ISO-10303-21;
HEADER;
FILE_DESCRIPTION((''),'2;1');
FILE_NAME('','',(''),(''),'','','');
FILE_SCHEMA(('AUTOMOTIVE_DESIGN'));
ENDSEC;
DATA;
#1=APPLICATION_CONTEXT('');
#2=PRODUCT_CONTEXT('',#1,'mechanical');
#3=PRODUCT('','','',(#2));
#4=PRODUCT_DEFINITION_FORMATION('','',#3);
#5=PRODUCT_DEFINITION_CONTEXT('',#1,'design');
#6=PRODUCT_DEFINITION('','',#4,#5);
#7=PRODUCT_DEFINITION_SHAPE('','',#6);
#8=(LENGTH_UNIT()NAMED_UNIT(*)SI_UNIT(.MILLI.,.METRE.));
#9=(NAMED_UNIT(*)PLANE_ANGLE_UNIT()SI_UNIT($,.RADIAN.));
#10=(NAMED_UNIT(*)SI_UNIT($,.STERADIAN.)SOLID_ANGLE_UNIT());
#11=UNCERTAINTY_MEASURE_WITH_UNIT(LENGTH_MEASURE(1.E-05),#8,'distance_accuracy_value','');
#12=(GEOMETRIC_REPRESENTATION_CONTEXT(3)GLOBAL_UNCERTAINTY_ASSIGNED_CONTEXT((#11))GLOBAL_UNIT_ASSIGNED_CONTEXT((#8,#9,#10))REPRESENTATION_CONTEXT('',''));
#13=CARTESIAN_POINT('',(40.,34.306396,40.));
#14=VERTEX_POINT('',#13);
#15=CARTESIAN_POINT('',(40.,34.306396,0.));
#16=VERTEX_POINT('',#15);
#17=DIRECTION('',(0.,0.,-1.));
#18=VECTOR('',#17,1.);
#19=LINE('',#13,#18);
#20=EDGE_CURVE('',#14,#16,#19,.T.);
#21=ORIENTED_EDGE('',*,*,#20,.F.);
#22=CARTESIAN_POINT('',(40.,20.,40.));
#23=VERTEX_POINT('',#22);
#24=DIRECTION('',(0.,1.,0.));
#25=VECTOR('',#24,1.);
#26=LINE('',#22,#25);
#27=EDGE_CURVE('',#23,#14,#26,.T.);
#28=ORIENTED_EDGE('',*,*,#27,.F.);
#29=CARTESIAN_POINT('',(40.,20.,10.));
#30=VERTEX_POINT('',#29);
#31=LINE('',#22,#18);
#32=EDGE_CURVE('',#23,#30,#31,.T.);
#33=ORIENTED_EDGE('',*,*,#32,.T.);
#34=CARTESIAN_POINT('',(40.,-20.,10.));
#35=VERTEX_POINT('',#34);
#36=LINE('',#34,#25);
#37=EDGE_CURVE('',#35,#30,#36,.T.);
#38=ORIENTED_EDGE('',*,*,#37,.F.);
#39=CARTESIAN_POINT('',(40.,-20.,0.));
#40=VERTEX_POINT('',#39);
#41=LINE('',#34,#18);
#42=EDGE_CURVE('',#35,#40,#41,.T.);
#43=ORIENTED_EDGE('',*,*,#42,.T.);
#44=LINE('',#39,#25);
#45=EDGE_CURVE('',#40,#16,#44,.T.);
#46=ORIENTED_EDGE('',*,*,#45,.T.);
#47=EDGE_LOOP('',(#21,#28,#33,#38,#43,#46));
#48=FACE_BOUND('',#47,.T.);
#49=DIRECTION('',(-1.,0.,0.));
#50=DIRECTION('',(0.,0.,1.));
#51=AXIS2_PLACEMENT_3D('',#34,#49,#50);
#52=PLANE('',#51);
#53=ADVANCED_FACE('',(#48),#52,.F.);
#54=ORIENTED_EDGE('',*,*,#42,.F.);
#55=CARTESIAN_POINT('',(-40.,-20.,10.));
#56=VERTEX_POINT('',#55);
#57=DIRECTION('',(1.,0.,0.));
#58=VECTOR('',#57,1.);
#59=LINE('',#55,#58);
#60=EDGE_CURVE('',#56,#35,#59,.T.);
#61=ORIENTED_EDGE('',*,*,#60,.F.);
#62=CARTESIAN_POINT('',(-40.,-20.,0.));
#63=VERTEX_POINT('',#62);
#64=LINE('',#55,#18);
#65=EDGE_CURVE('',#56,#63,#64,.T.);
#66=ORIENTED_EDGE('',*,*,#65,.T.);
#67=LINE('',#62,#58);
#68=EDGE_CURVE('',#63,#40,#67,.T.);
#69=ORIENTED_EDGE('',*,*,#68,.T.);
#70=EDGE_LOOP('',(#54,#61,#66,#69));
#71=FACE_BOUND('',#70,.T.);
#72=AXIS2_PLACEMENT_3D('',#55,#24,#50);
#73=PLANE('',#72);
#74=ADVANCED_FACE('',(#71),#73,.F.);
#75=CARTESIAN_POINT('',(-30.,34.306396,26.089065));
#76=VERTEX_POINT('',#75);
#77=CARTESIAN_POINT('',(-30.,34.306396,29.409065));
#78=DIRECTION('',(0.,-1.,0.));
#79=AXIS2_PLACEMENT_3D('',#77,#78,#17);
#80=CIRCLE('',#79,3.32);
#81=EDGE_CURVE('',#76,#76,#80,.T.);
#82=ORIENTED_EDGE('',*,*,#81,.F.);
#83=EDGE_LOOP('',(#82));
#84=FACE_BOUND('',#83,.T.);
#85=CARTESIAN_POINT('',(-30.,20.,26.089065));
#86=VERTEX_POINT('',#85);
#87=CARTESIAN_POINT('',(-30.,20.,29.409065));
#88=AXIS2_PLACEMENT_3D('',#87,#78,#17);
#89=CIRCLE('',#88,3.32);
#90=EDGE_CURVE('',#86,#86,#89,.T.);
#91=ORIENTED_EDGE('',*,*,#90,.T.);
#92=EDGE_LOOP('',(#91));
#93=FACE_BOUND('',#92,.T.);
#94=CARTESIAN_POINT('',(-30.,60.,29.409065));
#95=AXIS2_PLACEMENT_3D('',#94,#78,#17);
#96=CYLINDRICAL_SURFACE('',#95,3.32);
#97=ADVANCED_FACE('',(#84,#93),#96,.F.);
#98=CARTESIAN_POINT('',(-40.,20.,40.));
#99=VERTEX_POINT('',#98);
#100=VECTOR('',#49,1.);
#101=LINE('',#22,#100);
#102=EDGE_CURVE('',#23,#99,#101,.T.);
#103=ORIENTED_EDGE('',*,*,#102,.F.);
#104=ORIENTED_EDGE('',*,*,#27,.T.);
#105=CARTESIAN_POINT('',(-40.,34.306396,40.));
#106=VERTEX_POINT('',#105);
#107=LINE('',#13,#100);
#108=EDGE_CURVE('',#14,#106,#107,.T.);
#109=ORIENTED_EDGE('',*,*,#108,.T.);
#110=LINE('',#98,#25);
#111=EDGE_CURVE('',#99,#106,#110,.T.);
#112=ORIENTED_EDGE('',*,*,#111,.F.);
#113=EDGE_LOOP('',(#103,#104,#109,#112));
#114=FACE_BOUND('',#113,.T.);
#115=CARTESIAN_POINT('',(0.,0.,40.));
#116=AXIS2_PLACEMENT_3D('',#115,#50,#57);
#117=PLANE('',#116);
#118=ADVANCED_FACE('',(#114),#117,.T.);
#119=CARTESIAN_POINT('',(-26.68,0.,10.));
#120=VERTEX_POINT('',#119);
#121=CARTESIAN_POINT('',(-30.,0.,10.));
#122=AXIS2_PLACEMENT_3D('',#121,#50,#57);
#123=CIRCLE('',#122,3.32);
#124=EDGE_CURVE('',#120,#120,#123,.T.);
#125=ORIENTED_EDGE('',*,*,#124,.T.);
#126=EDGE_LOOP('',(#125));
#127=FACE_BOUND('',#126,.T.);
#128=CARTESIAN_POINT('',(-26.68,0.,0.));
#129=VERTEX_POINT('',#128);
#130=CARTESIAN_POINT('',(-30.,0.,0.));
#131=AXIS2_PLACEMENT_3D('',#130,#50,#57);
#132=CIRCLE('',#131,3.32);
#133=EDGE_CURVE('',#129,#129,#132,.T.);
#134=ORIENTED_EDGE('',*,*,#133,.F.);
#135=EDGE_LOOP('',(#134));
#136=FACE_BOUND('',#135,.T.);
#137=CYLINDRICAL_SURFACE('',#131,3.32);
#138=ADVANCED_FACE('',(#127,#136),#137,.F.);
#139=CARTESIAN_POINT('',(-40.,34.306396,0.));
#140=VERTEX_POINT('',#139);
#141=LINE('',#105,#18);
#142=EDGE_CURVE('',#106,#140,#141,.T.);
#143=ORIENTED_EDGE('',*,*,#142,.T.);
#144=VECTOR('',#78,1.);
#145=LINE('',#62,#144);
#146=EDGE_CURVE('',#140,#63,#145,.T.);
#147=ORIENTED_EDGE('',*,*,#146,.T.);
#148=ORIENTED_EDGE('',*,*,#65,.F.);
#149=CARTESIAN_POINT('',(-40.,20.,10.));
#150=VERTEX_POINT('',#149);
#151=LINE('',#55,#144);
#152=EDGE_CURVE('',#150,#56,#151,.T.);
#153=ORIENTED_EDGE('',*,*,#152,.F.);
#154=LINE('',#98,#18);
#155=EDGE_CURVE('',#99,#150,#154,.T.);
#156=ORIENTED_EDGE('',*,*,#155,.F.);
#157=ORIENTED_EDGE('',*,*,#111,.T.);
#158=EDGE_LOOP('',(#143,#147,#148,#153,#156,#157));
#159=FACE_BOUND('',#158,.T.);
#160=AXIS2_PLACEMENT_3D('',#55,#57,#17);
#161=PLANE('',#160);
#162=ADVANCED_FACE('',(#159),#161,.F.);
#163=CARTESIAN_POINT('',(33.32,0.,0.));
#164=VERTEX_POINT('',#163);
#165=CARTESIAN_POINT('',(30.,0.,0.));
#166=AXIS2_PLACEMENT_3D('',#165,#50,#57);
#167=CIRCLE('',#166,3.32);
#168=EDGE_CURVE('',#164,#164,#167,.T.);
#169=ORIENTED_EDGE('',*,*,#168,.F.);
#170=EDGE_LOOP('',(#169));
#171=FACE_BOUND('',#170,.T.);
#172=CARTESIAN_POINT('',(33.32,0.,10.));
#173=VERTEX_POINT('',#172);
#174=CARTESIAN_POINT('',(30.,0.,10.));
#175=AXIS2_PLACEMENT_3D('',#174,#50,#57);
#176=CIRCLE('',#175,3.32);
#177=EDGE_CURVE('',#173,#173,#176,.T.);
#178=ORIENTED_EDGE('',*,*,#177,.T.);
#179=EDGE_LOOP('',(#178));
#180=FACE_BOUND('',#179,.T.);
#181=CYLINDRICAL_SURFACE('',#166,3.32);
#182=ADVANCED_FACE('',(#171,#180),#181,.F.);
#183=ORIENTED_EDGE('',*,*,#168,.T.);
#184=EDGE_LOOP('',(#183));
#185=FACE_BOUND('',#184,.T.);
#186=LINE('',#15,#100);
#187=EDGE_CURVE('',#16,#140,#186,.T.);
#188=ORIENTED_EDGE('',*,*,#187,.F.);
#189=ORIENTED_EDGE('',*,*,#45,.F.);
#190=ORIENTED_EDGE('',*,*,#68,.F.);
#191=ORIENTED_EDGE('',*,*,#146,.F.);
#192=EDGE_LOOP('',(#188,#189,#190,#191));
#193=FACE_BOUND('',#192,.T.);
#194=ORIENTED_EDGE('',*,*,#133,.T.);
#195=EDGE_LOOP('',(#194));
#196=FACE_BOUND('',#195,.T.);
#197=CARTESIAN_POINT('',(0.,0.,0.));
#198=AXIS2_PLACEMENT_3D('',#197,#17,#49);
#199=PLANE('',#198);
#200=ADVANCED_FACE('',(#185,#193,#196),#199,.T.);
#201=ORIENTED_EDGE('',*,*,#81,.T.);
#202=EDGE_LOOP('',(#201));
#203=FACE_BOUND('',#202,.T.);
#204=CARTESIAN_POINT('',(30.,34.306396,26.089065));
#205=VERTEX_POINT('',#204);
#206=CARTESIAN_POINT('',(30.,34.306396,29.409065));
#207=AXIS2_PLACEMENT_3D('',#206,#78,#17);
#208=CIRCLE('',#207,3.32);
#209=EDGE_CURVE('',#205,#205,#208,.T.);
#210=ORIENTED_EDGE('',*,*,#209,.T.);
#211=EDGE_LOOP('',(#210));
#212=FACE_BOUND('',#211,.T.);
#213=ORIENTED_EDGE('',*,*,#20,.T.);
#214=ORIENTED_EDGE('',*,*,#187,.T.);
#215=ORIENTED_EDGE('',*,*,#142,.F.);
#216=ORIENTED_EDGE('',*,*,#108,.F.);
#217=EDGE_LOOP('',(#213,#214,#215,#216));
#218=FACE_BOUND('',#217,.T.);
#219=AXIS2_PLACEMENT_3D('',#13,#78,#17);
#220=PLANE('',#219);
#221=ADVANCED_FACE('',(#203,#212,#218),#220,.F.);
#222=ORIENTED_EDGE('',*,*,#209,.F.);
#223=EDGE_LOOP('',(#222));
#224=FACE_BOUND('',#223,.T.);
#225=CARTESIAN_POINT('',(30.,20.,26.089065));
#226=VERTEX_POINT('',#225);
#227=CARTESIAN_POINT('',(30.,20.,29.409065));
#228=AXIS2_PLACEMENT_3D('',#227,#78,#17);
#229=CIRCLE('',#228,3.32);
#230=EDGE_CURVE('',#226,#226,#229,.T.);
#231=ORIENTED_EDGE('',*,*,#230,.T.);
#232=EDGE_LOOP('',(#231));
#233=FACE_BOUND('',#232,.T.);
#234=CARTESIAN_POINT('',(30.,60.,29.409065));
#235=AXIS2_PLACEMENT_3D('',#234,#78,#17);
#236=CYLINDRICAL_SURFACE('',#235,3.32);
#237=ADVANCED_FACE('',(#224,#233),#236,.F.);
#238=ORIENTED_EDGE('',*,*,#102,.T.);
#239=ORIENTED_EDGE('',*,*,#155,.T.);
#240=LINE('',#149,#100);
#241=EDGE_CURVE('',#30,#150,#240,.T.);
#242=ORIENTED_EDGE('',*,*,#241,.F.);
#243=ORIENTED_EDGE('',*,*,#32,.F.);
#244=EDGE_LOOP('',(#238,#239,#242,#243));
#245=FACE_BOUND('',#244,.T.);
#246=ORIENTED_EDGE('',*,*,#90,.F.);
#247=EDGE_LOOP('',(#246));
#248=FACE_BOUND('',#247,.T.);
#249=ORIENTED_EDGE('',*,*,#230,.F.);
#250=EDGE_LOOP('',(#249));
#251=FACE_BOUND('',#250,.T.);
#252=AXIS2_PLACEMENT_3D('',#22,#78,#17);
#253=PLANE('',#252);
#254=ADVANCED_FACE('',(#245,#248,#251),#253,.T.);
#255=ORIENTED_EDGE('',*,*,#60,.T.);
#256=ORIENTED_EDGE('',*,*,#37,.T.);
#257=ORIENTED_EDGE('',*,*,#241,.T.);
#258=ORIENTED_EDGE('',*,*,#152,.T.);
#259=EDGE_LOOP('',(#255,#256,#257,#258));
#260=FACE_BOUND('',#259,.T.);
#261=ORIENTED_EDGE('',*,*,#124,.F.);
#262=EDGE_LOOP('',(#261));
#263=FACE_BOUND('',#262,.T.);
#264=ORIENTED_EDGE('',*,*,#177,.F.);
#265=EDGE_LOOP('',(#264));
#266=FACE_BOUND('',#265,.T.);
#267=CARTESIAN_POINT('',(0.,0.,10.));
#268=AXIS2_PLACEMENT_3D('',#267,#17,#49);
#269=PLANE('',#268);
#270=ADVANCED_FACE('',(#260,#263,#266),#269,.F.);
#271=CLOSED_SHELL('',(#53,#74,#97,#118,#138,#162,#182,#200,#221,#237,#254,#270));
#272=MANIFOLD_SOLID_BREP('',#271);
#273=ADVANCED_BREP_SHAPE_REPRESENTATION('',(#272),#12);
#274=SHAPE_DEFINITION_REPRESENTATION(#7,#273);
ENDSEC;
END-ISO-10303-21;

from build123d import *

# Parameters (mm, degrees)
SKETCH_1_W          = 80
SKETCH_1_H          = 40
EXTRUDE_1_DEPTH     = 10
SKETCH_4_R          = 3.32
CUT_EXTRUDE_3_DEPTH = 46.82575695
SKETCH_2_W          = 80
SKETCH_2_H          = 14.306395687
EXTRUDE_3_DEPTH     = 40
SKETCH_5_R          = 3.32
CUT_EXTRUDE_4_DEPTH = 40


with BuildPart() as part:
    # 草图1 → 凸台-拉伸1 (new body)
    with BuildSketch(Plane.XY):
        Rectangle(SKETCH_1_W, SKETCH_1_H)
    extrude(amount=EXTRUDE_1_DEPTH)

    # 草图4 → 切除-拉伸3 (cut, through all)
    with BuildSketch(Plane.XY.offset(10)):
        with Locations((30, 0)):
            Circle(SKETCH_4_R)
        with Locations((-30, 0)):
            Circle(SKETCH_4_R)
    extrude(amount=-CUT_EXTRUDE_3_DEPTH, mode=Mode.SUBTRACT)

    # 草图2 → 凸台-拉伸3 (add)
    with BuildSketch(Plane(origin=(0, 0, 0), x_dir=(-1, 0, 0), z_dir=(0, 0, -1))):
        with Locations((0, 27.153197844)):
            Rectangle(SKETCH_2_W, SKETCH_2_H)
    extrude(amount=-EXTRUDE_3_DEPTH)

    # 草图5 → 切除-拉伸4 (cut)
    with BuildSketch(Plane.XZ.offset(-20)):
        with Locations(Location((30, 29.40906451, 0), (0, 0, 270))):
            Circle(SKETCH_5_R)
        with Locations(Location((-30, 29.40906451, 0), (0, 0, 270))):
            Circle(SKETCH_5_R)
    extrude(amount=-CUT_EXTRUDE_4_DEPTH, mode=Mode.SUBTRACT)


solid = part.part
